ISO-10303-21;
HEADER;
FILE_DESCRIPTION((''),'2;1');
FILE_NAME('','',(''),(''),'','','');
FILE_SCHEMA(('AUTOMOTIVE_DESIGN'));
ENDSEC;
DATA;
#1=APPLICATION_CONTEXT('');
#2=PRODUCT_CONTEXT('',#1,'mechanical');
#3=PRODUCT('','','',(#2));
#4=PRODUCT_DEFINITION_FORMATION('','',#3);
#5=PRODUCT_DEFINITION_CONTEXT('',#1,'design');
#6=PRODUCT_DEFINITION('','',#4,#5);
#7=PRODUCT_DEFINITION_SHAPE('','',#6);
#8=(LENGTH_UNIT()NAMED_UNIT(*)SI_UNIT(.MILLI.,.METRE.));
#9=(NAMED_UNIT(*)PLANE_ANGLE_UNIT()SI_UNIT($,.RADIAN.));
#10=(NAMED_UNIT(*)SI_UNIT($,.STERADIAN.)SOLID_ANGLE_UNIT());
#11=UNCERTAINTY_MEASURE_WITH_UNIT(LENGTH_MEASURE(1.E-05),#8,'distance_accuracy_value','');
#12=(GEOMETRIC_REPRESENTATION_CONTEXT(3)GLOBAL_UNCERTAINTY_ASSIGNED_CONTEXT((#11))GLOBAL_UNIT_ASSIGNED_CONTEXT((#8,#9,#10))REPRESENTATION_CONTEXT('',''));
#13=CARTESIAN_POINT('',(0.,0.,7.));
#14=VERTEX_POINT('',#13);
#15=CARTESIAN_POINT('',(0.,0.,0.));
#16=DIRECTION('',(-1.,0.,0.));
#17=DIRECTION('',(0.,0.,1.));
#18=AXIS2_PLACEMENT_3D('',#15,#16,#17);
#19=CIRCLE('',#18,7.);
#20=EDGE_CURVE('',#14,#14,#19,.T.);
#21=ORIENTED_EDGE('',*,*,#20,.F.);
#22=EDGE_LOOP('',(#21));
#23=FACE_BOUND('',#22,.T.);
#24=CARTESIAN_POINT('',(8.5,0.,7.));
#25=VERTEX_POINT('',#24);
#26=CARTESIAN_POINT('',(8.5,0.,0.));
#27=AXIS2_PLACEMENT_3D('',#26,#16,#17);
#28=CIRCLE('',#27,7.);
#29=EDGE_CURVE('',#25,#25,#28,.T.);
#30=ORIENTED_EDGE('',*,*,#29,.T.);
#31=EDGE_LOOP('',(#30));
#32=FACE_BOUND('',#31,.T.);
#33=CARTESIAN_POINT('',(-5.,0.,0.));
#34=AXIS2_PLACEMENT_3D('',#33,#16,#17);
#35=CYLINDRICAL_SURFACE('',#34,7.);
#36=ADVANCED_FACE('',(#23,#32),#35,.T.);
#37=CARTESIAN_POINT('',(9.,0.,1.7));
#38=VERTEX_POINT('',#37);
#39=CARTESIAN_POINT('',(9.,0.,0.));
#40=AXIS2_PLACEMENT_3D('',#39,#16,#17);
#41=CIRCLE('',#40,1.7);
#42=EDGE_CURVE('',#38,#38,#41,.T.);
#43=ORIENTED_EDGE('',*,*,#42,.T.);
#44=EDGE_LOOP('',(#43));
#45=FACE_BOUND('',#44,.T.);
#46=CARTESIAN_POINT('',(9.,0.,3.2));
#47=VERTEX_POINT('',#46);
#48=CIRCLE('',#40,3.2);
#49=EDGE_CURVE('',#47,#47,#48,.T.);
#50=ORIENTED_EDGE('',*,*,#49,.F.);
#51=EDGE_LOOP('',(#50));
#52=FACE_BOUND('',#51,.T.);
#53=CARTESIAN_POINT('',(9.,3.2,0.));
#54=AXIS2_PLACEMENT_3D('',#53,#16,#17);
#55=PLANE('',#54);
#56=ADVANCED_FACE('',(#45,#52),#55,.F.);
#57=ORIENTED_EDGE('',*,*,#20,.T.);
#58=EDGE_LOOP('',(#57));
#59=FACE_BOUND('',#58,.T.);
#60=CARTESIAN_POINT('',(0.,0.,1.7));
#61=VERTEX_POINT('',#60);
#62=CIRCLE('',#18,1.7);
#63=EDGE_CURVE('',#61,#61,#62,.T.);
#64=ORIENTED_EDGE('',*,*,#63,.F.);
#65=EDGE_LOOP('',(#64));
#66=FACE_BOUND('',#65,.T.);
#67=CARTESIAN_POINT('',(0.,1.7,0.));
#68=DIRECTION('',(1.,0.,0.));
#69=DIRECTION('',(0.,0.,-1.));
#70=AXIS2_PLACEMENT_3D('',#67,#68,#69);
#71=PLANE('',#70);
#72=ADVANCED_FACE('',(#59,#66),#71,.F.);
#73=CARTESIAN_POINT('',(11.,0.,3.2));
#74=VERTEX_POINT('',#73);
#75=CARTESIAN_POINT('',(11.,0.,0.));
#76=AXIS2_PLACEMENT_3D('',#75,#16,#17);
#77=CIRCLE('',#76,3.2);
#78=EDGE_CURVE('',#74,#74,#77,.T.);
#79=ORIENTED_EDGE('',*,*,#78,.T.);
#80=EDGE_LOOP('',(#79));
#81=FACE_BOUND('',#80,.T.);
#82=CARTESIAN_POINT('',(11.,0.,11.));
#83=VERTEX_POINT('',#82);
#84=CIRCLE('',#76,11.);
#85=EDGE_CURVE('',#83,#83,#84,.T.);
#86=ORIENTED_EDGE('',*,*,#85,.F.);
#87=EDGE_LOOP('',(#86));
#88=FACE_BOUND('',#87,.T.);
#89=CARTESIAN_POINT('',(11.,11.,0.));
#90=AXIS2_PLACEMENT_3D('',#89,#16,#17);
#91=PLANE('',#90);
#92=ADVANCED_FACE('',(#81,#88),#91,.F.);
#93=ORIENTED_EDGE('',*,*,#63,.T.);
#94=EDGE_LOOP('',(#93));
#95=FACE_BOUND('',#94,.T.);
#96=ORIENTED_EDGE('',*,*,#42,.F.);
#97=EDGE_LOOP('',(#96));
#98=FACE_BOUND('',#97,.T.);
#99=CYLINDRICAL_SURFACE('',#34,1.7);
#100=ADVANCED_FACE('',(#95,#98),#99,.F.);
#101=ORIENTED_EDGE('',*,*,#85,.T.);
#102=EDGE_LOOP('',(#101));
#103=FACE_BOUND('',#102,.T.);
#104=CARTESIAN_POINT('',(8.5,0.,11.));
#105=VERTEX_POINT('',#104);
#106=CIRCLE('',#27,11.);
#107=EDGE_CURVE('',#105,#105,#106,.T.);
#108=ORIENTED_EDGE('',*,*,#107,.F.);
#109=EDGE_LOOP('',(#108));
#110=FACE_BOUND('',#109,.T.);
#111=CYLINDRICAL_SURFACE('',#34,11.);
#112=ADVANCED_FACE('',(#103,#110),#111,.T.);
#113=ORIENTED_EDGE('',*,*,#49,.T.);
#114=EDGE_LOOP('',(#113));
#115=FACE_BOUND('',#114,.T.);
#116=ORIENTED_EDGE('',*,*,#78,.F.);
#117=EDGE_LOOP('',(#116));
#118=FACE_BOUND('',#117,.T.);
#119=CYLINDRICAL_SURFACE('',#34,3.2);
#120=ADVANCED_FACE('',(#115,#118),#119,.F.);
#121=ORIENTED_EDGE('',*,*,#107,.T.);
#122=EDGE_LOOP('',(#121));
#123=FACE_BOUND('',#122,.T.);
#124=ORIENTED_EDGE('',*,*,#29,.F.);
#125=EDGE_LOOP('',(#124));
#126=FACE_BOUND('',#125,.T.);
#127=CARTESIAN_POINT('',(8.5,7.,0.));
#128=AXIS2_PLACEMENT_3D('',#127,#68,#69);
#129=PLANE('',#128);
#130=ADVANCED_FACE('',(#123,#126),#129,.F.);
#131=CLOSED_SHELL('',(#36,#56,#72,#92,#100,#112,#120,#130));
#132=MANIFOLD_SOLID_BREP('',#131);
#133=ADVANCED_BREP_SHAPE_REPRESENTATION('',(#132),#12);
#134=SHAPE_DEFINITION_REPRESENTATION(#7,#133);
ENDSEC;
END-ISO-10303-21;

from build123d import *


with BuildPart() as part:
    # Sketch1 → Pin (revolve)
    with BuildSketch(Plane.XY, mode=Mode.PRIVATE) as pin_sk:
        Polygon((0, 1.7), (0, 7), (8.5, 7), (8.5, 11), (11, 11), (11, 3.2), (9, 3.2), (9, 1.7), align=None)
    revolve(pin_sk.sketch.rotate(Axis((-5, 0, 0), (1, 0, 0)), 90), axis=Axis((-5, 0, 0), (1, 0, 0)))


solid = part.part
